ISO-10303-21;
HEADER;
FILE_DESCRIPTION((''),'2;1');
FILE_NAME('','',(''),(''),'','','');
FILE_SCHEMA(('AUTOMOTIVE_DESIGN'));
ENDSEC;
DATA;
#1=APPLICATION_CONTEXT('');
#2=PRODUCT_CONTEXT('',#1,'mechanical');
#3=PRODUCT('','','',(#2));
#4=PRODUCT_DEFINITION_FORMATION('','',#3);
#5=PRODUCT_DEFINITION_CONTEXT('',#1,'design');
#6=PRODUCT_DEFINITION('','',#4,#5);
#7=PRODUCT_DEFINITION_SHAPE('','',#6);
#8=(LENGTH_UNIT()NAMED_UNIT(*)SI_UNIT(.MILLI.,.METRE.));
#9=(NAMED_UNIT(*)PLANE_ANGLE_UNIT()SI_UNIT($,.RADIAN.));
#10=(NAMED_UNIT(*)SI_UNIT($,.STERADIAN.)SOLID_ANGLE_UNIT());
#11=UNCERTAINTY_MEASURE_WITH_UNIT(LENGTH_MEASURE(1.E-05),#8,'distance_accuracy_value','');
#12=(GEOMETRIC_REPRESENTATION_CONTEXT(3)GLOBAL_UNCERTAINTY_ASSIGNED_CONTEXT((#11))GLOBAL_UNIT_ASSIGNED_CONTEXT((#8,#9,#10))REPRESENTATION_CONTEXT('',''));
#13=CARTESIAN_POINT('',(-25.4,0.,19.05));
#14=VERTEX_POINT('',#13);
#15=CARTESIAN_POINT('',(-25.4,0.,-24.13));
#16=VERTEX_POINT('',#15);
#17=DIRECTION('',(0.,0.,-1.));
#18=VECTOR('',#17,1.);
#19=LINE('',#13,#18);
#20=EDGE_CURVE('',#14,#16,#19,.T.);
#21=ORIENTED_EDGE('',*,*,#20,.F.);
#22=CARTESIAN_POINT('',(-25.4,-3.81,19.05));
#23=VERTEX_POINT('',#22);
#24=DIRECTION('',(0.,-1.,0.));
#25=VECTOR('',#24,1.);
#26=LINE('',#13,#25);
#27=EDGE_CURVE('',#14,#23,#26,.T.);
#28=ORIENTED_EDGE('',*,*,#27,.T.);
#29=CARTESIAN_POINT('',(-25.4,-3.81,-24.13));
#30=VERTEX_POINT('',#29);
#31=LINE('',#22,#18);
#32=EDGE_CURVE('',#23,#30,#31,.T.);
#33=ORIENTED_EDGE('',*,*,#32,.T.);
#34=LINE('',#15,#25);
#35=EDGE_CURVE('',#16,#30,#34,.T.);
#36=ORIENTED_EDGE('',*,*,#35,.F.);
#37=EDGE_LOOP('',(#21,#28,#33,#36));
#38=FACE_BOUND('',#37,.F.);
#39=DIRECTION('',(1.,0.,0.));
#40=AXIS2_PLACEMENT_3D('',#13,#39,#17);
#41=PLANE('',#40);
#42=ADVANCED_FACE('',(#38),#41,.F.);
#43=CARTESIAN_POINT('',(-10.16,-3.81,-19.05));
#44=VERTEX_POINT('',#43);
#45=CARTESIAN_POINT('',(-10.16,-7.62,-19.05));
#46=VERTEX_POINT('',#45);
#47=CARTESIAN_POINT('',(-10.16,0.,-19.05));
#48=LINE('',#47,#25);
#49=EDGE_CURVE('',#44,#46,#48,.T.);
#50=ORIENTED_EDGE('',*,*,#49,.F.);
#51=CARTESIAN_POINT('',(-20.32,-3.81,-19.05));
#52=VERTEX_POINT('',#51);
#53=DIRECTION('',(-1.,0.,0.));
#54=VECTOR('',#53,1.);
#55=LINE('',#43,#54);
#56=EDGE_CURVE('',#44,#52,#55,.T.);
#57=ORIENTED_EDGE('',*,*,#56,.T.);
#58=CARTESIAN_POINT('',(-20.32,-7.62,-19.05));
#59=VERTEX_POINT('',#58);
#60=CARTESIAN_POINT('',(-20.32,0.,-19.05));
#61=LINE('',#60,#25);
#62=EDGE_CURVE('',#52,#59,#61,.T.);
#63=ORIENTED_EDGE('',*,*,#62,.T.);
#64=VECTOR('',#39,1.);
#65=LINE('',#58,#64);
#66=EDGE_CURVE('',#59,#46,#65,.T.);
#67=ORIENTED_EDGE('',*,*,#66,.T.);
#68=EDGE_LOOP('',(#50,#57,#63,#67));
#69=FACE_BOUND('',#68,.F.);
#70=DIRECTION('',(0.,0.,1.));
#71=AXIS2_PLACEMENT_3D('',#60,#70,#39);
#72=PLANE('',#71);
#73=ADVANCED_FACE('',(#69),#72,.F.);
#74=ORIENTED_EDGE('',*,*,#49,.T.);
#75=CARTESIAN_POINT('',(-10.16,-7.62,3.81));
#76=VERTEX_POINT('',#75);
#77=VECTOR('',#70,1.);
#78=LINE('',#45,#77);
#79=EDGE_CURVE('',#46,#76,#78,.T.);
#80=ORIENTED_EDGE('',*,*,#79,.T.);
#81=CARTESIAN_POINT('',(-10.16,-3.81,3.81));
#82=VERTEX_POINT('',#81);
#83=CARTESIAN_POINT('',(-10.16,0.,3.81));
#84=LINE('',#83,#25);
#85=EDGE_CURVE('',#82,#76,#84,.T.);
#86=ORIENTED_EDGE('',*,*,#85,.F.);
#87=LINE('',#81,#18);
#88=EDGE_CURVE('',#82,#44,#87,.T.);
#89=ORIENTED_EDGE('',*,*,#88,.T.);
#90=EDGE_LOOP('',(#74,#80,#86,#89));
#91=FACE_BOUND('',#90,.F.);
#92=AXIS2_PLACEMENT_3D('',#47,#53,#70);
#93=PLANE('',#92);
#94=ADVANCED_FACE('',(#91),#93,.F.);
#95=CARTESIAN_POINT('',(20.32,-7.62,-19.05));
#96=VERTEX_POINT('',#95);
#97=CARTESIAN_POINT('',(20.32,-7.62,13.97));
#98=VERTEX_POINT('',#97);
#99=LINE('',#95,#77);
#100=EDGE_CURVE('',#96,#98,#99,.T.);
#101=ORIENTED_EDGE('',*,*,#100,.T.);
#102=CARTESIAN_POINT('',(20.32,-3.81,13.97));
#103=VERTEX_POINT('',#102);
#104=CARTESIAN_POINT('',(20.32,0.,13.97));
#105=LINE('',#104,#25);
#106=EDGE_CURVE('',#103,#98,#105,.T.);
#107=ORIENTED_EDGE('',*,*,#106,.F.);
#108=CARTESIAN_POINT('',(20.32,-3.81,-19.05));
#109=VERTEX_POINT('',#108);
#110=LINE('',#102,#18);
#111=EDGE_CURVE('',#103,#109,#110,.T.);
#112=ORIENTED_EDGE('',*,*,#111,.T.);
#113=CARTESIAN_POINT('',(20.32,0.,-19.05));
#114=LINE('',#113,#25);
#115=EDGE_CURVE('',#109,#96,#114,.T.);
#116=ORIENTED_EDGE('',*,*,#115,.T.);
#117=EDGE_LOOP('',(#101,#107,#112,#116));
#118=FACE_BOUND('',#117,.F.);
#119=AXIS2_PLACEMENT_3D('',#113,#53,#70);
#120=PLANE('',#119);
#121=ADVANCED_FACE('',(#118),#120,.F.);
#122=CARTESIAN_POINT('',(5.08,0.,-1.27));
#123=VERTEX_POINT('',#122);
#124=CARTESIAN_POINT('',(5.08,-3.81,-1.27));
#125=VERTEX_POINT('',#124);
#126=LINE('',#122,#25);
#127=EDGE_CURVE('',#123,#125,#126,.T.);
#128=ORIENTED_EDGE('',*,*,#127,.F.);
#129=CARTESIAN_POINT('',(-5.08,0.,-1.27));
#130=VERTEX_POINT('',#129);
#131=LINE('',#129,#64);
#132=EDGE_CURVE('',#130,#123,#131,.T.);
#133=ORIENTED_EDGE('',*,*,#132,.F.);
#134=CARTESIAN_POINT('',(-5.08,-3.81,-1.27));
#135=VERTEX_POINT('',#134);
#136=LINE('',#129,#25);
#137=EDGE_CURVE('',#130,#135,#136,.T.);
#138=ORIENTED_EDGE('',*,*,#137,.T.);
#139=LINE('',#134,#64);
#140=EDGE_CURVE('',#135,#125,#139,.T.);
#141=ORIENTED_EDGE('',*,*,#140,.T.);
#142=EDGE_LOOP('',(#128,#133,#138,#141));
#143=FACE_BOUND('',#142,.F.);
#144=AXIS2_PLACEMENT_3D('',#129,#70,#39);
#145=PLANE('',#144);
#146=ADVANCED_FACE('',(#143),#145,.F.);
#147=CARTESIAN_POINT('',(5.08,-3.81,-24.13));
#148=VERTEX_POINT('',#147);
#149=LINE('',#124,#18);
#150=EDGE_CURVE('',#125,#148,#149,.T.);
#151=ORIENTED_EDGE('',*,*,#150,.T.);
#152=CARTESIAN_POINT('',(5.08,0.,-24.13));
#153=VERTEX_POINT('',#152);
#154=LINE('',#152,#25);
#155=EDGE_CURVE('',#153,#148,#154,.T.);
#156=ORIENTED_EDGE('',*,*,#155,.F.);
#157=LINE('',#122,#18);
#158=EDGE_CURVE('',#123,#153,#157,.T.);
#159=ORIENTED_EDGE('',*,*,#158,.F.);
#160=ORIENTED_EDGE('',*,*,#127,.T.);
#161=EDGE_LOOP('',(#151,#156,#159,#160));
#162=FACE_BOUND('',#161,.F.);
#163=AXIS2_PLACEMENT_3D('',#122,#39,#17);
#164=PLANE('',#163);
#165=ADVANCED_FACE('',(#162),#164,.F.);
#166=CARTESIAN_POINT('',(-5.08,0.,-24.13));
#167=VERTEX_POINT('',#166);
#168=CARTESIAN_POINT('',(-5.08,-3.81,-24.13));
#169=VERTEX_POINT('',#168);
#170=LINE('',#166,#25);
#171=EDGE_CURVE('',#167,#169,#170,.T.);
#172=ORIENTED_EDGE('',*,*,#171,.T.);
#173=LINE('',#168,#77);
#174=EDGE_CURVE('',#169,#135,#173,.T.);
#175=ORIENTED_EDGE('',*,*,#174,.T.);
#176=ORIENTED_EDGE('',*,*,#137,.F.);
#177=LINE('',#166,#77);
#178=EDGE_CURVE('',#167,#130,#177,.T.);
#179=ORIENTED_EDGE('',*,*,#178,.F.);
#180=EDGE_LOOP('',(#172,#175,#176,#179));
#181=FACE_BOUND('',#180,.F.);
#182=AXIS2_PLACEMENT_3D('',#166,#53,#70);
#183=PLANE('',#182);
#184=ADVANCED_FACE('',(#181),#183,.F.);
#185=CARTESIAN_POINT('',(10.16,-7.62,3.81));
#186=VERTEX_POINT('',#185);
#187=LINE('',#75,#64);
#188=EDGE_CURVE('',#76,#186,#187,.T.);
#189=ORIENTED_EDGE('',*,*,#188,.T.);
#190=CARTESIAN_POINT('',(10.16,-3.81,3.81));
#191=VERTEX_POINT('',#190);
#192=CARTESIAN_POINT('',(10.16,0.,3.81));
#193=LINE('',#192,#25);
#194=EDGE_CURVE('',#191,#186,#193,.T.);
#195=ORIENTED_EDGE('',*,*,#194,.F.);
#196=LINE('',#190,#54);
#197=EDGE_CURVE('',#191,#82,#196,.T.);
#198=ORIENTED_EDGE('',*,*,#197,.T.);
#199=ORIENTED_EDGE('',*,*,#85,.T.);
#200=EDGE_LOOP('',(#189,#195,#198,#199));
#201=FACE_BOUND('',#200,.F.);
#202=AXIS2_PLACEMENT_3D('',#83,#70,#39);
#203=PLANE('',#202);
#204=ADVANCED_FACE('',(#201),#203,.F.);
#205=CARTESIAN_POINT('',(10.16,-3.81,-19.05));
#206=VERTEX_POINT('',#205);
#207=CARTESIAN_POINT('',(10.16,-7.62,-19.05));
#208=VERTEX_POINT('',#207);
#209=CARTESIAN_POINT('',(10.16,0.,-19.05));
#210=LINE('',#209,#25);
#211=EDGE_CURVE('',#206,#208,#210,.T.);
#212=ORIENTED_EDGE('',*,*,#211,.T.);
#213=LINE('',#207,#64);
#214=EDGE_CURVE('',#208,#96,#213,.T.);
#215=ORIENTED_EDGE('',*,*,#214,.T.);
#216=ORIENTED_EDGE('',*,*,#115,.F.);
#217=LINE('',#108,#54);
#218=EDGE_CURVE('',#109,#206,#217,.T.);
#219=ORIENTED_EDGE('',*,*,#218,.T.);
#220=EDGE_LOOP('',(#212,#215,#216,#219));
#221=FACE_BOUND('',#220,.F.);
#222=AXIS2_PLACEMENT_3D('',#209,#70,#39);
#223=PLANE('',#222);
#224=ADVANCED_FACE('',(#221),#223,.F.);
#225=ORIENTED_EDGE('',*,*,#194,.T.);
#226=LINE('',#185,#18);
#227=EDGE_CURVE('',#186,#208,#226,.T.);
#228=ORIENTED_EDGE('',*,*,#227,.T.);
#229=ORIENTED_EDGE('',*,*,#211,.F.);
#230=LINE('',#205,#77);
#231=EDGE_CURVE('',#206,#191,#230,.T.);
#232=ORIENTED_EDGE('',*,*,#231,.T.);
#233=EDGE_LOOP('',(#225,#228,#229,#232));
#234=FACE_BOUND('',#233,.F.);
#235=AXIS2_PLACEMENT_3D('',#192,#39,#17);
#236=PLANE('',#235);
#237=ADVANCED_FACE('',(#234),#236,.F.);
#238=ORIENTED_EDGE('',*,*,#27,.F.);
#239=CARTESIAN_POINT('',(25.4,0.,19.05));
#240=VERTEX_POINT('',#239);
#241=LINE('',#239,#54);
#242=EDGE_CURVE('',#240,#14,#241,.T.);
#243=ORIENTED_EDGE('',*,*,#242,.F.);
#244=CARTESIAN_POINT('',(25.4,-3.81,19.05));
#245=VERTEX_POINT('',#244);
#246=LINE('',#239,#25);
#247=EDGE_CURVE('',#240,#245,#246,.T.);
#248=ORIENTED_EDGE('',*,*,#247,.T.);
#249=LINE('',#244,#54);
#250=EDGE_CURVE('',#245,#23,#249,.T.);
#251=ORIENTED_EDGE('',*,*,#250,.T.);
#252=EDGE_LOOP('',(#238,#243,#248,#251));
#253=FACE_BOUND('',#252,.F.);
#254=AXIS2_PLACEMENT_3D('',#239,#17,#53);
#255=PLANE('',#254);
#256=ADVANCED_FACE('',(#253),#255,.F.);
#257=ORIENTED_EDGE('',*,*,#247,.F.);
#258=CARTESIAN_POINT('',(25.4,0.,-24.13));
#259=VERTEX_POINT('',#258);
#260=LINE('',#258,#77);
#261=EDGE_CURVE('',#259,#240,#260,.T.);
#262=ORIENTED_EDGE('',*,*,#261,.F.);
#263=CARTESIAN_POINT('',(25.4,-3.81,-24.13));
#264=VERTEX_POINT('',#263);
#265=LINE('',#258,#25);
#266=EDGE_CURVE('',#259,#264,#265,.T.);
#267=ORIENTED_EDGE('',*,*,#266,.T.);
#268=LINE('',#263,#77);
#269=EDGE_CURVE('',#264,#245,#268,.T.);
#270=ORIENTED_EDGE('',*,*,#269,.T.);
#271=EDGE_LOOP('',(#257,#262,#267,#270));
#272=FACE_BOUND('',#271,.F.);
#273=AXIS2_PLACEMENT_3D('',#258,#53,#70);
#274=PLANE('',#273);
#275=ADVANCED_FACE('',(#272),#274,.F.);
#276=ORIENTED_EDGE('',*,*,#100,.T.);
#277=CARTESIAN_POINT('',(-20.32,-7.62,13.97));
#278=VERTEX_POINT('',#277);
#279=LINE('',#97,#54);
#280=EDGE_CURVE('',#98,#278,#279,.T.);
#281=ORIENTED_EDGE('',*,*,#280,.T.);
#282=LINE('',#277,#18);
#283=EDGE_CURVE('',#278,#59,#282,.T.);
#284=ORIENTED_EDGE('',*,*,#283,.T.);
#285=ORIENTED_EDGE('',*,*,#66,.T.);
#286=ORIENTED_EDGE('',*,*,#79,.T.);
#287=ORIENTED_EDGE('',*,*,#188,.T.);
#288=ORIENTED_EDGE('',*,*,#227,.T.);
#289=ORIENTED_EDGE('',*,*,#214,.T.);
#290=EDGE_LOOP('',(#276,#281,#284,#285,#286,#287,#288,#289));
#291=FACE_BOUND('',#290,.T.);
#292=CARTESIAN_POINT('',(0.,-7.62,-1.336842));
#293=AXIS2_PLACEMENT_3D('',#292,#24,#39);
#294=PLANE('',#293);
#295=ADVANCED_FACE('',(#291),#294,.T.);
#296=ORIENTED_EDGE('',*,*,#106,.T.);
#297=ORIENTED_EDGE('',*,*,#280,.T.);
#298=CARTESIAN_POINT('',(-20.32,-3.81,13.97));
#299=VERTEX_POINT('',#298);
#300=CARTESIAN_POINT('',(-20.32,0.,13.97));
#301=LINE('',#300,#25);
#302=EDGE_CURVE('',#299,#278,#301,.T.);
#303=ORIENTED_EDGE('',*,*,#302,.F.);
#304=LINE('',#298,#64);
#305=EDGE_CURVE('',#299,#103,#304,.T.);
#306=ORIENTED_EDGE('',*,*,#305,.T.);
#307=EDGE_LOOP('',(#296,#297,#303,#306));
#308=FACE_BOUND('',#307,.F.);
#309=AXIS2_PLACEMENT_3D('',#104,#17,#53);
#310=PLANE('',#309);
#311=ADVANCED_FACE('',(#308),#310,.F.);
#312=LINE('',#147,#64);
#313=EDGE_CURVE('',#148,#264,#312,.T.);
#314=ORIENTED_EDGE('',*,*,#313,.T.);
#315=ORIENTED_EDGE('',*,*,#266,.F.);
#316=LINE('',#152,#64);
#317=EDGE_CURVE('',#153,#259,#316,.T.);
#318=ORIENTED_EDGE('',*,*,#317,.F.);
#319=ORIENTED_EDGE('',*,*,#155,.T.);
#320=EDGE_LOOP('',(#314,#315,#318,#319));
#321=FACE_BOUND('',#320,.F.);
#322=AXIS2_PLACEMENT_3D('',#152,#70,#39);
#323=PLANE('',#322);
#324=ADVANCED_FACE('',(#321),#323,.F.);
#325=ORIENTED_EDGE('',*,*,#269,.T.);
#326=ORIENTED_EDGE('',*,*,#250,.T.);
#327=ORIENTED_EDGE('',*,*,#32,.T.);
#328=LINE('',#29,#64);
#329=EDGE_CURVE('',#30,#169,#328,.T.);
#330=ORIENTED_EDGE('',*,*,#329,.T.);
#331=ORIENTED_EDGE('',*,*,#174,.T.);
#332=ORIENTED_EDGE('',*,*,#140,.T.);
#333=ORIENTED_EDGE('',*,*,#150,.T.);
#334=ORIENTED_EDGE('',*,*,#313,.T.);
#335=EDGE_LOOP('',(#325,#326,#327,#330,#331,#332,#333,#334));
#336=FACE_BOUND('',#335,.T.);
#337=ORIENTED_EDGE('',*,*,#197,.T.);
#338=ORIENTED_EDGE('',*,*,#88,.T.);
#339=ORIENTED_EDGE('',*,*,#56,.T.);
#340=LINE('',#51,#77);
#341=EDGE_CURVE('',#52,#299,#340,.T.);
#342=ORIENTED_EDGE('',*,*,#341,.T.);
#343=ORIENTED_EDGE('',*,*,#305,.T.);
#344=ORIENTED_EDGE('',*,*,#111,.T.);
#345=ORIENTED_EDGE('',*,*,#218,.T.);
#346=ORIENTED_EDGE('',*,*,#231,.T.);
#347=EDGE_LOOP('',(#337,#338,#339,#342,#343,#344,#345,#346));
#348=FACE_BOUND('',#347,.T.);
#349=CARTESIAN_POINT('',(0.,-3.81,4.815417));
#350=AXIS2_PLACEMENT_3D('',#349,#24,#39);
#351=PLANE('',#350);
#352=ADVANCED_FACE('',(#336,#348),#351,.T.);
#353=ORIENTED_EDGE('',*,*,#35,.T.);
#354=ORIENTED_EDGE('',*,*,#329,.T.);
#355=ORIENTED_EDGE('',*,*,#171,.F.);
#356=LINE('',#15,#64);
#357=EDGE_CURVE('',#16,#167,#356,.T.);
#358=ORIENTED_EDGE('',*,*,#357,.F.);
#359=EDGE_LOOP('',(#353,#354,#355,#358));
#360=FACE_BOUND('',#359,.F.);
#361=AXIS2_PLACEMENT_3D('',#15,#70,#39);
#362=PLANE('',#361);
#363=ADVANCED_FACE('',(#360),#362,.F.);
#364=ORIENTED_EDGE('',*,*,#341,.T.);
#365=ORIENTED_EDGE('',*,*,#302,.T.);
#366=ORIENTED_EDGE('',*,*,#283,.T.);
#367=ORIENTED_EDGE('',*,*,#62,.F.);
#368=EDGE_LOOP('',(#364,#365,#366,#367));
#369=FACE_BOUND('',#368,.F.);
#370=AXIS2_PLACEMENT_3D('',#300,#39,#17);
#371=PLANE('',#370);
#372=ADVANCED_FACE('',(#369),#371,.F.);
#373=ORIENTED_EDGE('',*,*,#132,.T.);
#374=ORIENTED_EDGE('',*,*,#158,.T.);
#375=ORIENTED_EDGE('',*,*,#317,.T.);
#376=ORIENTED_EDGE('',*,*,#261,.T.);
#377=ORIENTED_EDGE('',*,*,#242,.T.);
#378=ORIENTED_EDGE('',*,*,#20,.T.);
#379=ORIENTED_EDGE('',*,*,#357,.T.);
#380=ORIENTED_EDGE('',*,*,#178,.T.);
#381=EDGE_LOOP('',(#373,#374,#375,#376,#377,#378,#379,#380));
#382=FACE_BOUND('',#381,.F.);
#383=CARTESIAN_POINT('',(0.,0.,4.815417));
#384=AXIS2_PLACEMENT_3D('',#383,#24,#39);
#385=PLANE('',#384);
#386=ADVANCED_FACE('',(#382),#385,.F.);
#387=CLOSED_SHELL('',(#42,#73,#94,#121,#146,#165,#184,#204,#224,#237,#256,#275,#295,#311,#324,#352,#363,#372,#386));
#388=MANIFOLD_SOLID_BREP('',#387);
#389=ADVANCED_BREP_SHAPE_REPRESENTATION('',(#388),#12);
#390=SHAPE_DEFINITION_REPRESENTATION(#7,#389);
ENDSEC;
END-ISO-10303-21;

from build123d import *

# Parameters (mm, degrees)
F1_DEPTH = 7.62
F2_DEPTH = 3.81


with BuildPart() as f1:
    # F0 (on Front) → F1 (new body)
    with BuildSketch(Plane.XZ):
        Polygon((-20.32, 13.97), (-20.32, -19.05), (-10.16, -19.05), (-10.16, 3.81), (10.16, 3.81), (10.16, -19.05), (20.32, -19.05), (20.32, 13.97), align=None)
    extrude(amount=F1_DEPTH)

    # F0 (on Front) → F2 (join)
    with BuildSketch(Plane.XZ):
        Polygon((25.4, 19.05), (-25.4, 19.05), (-25.4, -19.05), (-20.32, -19.05), (-20.32, 13.97), (20.32, 13.97), (20.32, -19.05), (25.4, -19.05), align=None)
        Polygon((-10.16, 3.81), (-10.16, -19.05), (-5.08, -19.05), (-5.08, -1.27), (5.08, -1.27), (5.08, -19.05), (10.16, -19.05), (10.16, 3.81), align=None)
        Polygon((-20.32, -19.05), (-25.4, -19.05), (-25.4, -24.13), (-5.08, -24.13), (-5.08, -19.05), (-10.16, -19.05), align=None)
        Polygon((25.4, -24.13), (25.4, -19.05), (20.32, -19.05), (10.16, -19.05), (5.08, -19.05), (5.08, -24.13), align=None)
    extrude(amount=F2_DEPTH)


solid = f1.part
